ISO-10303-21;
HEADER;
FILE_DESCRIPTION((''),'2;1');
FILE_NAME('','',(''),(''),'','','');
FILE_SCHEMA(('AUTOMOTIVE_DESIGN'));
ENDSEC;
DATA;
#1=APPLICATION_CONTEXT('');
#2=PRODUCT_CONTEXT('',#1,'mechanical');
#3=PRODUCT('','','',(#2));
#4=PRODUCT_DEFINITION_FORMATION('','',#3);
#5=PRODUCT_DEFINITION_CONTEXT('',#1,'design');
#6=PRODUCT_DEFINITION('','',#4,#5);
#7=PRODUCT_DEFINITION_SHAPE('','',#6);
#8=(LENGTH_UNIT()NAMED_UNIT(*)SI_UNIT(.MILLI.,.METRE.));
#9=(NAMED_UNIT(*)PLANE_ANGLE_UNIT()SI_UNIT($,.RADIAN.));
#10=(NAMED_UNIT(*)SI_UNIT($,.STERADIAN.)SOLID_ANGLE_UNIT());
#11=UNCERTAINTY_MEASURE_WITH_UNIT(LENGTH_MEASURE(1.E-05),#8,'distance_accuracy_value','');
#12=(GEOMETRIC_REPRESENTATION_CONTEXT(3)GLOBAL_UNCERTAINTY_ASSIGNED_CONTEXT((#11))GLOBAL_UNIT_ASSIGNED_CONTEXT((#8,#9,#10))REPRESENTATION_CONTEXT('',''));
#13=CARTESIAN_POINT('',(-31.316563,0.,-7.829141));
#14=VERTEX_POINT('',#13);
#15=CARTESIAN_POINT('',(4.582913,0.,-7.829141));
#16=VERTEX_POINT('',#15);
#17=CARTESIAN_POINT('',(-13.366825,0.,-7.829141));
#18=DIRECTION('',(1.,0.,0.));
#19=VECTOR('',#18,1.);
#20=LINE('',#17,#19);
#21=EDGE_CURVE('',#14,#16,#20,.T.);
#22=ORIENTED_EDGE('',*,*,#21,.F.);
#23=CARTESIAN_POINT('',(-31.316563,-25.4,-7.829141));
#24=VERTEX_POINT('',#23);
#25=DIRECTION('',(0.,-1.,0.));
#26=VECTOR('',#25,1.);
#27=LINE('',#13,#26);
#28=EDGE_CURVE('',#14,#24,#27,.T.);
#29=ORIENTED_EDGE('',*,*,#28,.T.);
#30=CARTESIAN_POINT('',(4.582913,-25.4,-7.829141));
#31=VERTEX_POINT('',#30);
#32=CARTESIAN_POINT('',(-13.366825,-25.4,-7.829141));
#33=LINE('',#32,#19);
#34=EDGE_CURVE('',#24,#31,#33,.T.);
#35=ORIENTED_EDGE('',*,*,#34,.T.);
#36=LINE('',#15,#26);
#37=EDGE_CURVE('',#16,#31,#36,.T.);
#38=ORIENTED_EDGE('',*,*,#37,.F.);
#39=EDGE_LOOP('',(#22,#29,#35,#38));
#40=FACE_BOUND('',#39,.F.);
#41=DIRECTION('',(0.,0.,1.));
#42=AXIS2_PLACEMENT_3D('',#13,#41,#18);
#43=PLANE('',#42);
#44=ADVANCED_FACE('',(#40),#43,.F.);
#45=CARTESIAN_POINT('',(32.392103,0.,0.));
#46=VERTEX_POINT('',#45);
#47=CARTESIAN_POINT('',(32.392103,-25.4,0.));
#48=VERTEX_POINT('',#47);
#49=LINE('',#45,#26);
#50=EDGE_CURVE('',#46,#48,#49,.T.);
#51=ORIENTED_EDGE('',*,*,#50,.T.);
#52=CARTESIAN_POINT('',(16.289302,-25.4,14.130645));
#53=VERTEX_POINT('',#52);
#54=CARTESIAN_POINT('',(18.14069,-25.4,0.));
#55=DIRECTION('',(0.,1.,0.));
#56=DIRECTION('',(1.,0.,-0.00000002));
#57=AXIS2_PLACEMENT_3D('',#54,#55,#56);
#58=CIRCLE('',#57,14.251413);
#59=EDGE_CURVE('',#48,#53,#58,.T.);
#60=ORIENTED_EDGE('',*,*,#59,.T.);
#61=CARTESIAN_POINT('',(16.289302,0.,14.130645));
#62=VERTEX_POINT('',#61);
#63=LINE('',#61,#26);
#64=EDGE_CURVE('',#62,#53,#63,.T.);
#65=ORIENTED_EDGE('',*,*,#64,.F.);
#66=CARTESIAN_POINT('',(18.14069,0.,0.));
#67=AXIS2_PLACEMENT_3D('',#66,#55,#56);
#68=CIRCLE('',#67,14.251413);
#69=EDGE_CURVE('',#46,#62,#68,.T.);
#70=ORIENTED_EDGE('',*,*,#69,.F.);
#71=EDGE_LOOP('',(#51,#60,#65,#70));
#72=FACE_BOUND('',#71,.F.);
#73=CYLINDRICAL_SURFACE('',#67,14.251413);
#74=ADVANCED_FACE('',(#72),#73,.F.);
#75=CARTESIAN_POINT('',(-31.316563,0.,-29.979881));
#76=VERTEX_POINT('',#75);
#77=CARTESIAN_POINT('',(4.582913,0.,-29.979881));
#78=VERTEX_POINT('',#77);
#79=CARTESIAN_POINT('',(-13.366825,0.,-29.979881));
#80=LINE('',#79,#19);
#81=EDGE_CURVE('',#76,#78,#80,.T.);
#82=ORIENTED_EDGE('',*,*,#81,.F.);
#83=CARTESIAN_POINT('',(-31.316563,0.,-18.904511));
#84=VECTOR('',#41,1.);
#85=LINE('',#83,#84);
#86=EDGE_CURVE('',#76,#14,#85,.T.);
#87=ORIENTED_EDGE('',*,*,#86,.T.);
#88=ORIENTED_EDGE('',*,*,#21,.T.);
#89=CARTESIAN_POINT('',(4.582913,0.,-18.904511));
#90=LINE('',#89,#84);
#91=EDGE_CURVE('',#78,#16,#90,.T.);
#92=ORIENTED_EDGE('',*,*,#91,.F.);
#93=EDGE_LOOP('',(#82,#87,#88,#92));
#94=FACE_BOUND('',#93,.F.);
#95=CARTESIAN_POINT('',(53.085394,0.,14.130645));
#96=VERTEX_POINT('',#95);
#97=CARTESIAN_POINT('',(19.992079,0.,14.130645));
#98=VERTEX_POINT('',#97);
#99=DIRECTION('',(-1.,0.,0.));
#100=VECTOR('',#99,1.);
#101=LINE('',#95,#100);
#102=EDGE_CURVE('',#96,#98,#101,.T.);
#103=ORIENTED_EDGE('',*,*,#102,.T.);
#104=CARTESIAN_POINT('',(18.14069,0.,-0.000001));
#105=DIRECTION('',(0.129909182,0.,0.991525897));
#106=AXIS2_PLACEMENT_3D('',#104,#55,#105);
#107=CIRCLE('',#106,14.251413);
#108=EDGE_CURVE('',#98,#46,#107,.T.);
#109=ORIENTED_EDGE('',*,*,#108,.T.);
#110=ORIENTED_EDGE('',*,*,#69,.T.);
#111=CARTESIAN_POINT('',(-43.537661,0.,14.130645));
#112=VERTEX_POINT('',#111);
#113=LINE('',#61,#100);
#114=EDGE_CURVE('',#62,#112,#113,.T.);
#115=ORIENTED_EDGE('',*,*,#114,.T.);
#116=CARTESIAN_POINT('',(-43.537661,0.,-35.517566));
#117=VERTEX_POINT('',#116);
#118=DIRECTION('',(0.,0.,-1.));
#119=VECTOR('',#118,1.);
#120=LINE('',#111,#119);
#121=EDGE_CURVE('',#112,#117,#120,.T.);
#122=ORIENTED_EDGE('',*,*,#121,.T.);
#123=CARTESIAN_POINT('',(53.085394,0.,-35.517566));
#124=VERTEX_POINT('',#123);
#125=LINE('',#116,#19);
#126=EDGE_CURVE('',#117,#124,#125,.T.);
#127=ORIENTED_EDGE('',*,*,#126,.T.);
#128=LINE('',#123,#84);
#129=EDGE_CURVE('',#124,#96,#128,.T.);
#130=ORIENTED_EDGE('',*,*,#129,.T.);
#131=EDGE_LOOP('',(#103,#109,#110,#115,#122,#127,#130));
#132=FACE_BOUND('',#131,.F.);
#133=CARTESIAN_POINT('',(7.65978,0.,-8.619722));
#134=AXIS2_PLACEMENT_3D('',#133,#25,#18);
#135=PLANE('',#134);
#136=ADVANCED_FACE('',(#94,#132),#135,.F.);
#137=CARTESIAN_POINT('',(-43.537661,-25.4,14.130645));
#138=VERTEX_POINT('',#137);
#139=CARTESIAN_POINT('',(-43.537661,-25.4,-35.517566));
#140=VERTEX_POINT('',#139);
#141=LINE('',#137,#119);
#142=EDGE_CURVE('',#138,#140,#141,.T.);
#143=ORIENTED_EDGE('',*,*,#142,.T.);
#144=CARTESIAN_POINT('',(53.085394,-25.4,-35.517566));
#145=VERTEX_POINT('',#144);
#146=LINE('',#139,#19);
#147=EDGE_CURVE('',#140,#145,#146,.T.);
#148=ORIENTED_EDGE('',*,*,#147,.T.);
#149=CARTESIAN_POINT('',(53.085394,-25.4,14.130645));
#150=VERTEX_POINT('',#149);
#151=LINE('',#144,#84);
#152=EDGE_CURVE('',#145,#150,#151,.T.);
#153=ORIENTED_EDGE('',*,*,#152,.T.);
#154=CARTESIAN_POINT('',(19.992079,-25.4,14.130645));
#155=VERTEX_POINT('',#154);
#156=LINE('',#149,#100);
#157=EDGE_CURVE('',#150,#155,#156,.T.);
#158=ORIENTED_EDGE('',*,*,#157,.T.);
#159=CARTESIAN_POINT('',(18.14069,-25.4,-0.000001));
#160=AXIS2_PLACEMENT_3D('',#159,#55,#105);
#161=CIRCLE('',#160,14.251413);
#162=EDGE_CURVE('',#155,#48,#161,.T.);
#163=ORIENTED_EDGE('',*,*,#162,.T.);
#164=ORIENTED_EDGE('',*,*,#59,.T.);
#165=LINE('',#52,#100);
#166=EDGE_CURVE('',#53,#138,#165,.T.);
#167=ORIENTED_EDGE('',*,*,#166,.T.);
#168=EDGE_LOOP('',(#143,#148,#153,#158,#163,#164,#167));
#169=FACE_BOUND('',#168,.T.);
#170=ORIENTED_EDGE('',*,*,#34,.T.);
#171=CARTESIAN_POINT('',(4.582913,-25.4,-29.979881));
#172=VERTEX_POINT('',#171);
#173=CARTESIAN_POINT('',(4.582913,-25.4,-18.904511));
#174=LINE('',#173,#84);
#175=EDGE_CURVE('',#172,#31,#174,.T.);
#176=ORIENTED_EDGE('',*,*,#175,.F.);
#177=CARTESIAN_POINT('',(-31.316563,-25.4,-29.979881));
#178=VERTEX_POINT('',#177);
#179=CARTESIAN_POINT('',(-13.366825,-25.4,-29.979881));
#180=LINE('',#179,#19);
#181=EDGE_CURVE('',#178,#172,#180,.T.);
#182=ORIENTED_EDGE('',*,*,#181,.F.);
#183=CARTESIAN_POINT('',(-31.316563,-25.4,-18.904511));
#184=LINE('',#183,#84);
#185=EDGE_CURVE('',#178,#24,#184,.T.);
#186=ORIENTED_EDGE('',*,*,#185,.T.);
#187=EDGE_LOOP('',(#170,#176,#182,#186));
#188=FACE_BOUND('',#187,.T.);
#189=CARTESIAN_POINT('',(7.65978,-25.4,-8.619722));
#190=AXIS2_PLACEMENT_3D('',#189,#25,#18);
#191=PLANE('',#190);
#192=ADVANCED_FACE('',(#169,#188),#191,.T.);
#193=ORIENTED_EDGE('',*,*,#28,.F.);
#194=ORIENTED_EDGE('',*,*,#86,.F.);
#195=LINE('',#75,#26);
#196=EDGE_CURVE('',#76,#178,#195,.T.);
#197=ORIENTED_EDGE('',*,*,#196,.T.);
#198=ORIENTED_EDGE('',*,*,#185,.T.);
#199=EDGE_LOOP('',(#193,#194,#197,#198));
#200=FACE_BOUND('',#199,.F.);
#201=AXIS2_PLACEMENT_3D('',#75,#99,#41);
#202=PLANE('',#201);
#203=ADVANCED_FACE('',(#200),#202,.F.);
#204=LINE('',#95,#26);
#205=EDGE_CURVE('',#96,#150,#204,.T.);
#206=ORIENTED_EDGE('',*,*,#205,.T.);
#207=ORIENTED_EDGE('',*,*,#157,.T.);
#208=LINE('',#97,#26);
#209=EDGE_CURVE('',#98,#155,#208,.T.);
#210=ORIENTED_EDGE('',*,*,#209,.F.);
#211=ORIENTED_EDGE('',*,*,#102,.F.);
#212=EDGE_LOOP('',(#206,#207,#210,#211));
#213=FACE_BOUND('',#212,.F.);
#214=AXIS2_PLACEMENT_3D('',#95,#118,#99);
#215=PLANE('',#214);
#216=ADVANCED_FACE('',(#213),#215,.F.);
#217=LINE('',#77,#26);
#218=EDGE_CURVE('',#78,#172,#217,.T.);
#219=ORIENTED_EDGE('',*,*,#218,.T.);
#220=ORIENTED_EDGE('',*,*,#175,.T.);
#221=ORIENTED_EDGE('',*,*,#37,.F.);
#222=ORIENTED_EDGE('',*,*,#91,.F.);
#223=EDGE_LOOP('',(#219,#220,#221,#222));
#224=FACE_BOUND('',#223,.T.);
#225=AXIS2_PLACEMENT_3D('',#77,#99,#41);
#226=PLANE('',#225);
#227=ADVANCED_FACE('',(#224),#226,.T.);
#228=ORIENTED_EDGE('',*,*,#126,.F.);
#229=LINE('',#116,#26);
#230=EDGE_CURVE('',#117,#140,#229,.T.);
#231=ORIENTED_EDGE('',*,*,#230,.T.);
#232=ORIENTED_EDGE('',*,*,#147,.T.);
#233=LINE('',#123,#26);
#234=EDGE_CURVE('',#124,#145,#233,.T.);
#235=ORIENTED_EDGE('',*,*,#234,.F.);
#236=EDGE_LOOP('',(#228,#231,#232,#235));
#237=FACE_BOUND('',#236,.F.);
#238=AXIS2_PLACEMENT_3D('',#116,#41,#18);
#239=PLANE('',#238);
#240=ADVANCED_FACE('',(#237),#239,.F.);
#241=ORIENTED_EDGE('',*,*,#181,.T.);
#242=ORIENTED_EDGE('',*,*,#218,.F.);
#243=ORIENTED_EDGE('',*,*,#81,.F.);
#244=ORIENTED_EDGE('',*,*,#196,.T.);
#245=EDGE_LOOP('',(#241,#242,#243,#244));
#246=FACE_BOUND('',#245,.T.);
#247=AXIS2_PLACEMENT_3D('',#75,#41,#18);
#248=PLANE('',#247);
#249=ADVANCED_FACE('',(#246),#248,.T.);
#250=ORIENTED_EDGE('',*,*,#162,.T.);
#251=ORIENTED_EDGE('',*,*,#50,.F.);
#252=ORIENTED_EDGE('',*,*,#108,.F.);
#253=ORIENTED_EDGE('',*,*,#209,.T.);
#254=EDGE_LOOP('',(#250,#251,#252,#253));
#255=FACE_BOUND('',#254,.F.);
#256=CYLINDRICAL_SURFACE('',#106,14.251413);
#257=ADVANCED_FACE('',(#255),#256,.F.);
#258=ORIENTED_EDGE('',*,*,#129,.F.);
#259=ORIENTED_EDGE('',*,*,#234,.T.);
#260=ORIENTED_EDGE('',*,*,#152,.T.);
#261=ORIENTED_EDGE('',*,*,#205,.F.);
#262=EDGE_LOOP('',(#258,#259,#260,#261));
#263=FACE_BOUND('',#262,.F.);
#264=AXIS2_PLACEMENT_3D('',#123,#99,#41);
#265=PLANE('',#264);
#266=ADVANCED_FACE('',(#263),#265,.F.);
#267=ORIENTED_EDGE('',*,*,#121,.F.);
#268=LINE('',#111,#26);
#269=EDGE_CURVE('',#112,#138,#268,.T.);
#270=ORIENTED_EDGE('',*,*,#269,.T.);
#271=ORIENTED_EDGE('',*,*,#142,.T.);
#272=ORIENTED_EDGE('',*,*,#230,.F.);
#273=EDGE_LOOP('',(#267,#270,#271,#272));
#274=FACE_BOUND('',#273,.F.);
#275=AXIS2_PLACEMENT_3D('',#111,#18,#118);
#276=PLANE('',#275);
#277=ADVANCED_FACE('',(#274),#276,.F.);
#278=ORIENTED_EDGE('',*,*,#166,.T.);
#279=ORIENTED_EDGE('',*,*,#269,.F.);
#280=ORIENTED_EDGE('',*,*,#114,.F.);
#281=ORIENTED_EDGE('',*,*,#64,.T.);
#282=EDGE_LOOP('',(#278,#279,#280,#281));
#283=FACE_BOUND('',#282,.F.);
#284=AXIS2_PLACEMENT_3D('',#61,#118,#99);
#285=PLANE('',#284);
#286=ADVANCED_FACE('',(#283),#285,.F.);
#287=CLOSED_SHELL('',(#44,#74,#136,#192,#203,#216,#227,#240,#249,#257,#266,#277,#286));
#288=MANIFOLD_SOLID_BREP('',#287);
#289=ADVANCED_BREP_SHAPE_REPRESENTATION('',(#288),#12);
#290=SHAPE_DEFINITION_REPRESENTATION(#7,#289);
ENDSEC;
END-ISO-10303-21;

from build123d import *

# Parameters (mm, degrees)
F0_W     = 35.899476
F0_H     = 22.15074
F1_DEPTH = 25.4


with BuildPart() as f1:
    # F0 (on Front) → F1 (new body)
    with BuildSketch(Plane.XZ):
        with BuildLine():
            Line((16.289302, 14.130645), (-43.537661, 14.130645))
            Line((-43.537661, 14.130645), (-43.537661, -35.517566))
            Line((-43.537661, -35.517566), (53.085394, -35.517566))
            Line((53.085394, -35.517566), (53.085394, 14.130645))
            Line((53.085394, 14.130645), (19.992079, 14.130645))
            ThreePointArc((19.992079, 14.130645), (28.852545, 9.399943), (32.392103, 0))
            ThreePointArc((32.392103, 0), (8.740747, -10.711854), (16.289302, 14.130645))
        make_face()
        with Locations((-13.366825, -18.904511)):
            Rectangle(F0_W, F0_H, mode=Mode.SUBTRACT)
    extrude(amount=F1_DEPTH)


solid = f1.part
